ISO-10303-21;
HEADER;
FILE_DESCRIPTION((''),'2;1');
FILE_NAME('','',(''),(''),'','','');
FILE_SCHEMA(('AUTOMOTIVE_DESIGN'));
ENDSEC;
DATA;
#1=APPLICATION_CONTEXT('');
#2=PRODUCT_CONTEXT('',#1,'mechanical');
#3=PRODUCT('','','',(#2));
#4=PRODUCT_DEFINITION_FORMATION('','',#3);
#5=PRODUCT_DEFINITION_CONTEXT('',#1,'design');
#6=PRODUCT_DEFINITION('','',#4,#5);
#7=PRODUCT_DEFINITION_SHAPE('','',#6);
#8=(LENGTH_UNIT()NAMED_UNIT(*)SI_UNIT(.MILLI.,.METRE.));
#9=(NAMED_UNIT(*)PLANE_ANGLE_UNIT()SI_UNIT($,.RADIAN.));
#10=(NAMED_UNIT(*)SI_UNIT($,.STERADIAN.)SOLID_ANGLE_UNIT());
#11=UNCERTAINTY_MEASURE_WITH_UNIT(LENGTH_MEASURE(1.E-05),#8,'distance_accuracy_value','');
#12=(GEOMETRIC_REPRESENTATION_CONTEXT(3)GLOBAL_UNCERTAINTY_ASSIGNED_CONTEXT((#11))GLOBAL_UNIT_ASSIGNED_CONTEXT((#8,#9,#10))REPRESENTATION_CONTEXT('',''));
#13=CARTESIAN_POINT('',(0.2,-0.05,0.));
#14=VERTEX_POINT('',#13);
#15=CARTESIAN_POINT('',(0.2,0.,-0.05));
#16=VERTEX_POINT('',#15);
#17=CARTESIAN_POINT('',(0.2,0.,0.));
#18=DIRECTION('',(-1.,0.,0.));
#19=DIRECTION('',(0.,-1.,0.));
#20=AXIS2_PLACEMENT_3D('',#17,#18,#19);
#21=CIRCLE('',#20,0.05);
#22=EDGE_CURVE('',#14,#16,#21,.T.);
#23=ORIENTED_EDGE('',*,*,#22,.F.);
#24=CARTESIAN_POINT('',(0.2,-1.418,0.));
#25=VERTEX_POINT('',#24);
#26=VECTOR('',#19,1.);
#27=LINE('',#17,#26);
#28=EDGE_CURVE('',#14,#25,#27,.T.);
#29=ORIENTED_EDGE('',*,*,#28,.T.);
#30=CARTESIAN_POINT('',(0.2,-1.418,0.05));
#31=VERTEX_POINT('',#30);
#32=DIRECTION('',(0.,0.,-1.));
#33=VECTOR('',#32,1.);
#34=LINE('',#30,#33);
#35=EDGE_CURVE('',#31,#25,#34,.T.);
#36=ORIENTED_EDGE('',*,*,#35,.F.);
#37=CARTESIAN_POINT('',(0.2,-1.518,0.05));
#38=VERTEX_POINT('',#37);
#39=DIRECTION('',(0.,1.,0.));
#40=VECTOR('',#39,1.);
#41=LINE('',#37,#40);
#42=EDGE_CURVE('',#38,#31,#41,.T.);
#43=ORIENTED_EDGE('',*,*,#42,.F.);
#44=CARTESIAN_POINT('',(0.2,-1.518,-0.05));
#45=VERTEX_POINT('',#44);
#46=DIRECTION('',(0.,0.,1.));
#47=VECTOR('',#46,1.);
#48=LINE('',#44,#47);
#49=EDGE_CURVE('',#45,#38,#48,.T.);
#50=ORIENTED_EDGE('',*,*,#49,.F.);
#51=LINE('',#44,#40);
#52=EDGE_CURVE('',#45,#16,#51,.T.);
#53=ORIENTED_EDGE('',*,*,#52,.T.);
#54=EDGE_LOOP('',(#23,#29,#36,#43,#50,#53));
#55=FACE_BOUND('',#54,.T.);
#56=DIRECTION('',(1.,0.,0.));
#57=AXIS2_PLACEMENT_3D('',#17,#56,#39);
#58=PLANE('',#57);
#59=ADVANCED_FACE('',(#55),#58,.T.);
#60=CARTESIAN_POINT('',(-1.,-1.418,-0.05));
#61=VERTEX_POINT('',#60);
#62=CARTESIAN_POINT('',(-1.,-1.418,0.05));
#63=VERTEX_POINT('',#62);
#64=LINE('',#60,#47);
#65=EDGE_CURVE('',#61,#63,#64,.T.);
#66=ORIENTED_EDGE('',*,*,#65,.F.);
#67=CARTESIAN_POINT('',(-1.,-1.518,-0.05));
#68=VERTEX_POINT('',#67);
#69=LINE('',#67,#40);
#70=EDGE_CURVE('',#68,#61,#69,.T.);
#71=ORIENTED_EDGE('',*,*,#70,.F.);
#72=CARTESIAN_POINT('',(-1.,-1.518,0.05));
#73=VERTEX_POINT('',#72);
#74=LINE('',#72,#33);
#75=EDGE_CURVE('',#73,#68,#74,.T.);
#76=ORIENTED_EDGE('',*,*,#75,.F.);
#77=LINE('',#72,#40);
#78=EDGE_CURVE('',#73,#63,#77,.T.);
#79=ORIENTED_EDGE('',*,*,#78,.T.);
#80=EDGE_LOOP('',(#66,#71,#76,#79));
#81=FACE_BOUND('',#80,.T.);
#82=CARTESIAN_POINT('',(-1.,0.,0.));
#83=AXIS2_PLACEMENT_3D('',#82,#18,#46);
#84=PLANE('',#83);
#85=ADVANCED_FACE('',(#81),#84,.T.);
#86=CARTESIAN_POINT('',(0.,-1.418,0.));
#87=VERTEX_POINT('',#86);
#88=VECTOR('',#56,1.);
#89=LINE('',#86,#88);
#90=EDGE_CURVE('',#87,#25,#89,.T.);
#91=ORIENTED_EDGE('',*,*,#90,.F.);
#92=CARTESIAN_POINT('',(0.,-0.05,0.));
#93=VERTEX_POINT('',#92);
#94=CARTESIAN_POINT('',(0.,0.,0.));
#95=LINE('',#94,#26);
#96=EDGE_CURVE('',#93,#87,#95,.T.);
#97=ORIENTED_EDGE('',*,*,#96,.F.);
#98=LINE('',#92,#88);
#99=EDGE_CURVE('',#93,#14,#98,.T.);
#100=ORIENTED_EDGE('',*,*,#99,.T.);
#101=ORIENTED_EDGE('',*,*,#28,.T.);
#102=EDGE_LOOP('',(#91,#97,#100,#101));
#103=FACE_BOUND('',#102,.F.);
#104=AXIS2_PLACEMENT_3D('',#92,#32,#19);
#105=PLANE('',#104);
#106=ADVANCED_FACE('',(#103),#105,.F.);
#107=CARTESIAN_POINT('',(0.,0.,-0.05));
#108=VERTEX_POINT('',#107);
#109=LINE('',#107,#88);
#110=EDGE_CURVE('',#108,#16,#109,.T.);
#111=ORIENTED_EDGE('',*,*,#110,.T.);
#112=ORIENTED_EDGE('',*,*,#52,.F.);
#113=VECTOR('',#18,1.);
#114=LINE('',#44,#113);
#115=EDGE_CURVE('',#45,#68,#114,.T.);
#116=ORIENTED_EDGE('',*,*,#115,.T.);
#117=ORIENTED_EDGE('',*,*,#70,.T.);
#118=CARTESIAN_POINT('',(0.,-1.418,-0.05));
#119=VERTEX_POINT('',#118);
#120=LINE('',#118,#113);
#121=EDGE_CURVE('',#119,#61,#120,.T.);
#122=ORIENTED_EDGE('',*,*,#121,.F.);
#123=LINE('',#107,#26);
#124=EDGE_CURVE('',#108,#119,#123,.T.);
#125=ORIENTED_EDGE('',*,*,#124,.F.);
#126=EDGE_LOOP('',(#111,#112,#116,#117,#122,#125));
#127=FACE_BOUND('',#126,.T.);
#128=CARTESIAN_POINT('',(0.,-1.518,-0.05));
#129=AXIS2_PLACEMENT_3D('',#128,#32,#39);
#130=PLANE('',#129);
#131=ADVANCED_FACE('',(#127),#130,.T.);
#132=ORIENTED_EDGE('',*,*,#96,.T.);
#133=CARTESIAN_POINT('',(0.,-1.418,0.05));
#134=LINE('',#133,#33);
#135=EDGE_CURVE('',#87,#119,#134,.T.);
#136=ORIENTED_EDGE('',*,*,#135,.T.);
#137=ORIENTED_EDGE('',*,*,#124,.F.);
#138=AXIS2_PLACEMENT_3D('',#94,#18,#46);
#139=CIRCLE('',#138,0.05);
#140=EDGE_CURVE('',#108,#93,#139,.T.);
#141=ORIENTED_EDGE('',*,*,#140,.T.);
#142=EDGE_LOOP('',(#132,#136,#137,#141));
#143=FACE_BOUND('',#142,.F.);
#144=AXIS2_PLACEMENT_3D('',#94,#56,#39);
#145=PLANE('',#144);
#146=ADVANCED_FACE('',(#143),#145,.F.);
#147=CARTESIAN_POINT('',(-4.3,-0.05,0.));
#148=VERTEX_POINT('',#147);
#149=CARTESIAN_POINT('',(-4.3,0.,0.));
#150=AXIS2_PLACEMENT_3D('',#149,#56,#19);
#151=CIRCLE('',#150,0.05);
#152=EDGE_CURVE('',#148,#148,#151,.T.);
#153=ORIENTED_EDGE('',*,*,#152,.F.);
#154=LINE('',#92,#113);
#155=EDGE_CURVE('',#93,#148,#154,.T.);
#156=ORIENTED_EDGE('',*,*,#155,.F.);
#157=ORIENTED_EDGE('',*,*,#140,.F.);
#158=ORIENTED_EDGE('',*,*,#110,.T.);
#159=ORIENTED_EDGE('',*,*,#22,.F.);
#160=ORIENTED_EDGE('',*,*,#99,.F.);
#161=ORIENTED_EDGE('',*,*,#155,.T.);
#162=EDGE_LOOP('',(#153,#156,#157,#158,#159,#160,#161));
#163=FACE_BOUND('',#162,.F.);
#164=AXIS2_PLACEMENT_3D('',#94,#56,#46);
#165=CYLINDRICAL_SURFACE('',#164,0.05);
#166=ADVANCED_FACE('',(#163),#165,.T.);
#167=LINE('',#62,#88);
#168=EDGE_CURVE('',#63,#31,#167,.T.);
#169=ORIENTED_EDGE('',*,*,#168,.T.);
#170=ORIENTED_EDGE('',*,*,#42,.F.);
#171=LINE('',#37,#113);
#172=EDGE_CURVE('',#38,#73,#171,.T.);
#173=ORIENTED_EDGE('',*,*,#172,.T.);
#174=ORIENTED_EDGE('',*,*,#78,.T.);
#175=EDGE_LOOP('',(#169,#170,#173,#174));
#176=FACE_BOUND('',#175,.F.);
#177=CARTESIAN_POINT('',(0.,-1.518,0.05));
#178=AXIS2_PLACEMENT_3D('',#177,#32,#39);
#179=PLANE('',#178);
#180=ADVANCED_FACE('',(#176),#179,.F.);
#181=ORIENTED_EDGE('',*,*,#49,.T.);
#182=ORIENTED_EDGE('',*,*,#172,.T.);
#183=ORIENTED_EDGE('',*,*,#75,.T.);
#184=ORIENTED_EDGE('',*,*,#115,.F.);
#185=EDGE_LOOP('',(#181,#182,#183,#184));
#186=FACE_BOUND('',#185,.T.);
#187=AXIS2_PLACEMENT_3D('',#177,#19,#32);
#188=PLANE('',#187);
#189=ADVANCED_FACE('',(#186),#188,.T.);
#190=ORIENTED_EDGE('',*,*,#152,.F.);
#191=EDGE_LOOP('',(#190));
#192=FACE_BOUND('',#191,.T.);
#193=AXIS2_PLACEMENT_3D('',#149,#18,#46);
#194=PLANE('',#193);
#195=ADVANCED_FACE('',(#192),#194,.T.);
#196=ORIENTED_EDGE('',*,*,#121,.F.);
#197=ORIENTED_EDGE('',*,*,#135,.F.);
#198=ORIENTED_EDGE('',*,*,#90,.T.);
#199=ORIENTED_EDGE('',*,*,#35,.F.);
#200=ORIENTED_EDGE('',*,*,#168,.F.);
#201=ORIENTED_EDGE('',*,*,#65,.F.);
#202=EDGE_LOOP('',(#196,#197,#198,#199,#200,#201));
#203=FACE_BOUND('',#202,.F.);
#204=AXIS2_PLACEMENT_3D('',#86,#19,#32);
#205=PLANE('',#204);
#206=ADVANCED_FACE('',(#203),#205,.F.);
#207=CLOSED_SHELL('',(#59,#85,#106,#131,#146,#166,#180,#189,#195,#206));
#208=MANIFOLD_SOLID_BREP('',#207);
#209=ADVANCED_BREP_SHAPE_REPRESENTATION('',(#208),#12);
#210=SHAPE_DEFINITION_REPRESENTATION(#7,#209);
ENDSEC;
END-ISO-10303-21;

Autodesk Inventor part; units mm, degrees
ref_plane "YZ Plane" through (0, 0, 0) normal (1, 0, 0) x (0, 1, 0)
ref_plane "XZ Plane" through (0, 0, 0) normal (0, 1, 0) x (-1, 0, 0)
ref_plane "XY Plane" through (0, 0, 0) normal (0, 0, 1) x (1, 0, 0)
sketch "Sketch1" plane through (0, 0, 0) normal (1, 0, 0) x (0, 1, 0)
  circle A0 centre (0, 0) radius 0.05
  line L0 (0, 0) -> (-1.468, 0)
  line L1 (-1.518, 0.05) -> (-1.418, 0.05)
  line L2 (-1.418, 0.05) -> (-1.418, -0.05)
  line L3 (-1.418, -0.05) -> (-1.518, -0.05)
  line L4 (-1.518, -0.05) -> (-1.518, 0.05)
  line L5 (-1.518, 0.05) -> (-1.418, -0.05) construction
  line L6 (-1.418, 0.05) -> (-1.518, -0.05) construction
  line L7 (-1.418, -0.05) -> (0, -0.05)
  point P0 (-0.05, 0)
  point P1 (-1.418, 0)
  dimension "d0" = 0.1
  dimension "d1" = 1.468
  dimension "d2" = 0.1
  dimension "d3" = 0.1
extrude "Extrusion1" add sketch "Sketch1" along normal blind 0.2
sketch "Sketch2" plane through (0, 0, 0) normal (-1, 0, 0) x (0, 0, 1)
  arc A0 (0, -0.05) -> (-0.05, 0) centre (0, 0) ccw projected
  circle A1 centre (0, 0) radius 0.05
  point P0 (-0.05, 0)
  point P1 (0, -0.05)
  dimension "d6" = 0.1
extrude "Extrusion2" add sketch "Sketch2" along normal blind 4.3
sketch "Sketch3" plane through (0, 0, 0) normal (-1, 0, 0) x (0, 0, 1)
  line L0 (-0.05, -1.518) -> (-0.05, 0) projected
  line L1 (0.05, -1.518) -> (-0.05, -1.518) projected
  line L2 (-0.05, -1.518) -> (0.05, -1.518)
  line L3 (0, -1.418) -> (0.05, -1.418) projected
  line L4 (0.05, -1.518) -> (0.05, -1.418)
  line L5 (0.05, -1.418) -> (-0.05, -1.418)
  line L6 (-0.05, -1.418) -> (-0.05, -1.518)
  point P0 (0, 0)
extrude "Extrusion3" add sketch "Sketch3" along normal blind 1
properties part number "Bone23_22_Fix"
